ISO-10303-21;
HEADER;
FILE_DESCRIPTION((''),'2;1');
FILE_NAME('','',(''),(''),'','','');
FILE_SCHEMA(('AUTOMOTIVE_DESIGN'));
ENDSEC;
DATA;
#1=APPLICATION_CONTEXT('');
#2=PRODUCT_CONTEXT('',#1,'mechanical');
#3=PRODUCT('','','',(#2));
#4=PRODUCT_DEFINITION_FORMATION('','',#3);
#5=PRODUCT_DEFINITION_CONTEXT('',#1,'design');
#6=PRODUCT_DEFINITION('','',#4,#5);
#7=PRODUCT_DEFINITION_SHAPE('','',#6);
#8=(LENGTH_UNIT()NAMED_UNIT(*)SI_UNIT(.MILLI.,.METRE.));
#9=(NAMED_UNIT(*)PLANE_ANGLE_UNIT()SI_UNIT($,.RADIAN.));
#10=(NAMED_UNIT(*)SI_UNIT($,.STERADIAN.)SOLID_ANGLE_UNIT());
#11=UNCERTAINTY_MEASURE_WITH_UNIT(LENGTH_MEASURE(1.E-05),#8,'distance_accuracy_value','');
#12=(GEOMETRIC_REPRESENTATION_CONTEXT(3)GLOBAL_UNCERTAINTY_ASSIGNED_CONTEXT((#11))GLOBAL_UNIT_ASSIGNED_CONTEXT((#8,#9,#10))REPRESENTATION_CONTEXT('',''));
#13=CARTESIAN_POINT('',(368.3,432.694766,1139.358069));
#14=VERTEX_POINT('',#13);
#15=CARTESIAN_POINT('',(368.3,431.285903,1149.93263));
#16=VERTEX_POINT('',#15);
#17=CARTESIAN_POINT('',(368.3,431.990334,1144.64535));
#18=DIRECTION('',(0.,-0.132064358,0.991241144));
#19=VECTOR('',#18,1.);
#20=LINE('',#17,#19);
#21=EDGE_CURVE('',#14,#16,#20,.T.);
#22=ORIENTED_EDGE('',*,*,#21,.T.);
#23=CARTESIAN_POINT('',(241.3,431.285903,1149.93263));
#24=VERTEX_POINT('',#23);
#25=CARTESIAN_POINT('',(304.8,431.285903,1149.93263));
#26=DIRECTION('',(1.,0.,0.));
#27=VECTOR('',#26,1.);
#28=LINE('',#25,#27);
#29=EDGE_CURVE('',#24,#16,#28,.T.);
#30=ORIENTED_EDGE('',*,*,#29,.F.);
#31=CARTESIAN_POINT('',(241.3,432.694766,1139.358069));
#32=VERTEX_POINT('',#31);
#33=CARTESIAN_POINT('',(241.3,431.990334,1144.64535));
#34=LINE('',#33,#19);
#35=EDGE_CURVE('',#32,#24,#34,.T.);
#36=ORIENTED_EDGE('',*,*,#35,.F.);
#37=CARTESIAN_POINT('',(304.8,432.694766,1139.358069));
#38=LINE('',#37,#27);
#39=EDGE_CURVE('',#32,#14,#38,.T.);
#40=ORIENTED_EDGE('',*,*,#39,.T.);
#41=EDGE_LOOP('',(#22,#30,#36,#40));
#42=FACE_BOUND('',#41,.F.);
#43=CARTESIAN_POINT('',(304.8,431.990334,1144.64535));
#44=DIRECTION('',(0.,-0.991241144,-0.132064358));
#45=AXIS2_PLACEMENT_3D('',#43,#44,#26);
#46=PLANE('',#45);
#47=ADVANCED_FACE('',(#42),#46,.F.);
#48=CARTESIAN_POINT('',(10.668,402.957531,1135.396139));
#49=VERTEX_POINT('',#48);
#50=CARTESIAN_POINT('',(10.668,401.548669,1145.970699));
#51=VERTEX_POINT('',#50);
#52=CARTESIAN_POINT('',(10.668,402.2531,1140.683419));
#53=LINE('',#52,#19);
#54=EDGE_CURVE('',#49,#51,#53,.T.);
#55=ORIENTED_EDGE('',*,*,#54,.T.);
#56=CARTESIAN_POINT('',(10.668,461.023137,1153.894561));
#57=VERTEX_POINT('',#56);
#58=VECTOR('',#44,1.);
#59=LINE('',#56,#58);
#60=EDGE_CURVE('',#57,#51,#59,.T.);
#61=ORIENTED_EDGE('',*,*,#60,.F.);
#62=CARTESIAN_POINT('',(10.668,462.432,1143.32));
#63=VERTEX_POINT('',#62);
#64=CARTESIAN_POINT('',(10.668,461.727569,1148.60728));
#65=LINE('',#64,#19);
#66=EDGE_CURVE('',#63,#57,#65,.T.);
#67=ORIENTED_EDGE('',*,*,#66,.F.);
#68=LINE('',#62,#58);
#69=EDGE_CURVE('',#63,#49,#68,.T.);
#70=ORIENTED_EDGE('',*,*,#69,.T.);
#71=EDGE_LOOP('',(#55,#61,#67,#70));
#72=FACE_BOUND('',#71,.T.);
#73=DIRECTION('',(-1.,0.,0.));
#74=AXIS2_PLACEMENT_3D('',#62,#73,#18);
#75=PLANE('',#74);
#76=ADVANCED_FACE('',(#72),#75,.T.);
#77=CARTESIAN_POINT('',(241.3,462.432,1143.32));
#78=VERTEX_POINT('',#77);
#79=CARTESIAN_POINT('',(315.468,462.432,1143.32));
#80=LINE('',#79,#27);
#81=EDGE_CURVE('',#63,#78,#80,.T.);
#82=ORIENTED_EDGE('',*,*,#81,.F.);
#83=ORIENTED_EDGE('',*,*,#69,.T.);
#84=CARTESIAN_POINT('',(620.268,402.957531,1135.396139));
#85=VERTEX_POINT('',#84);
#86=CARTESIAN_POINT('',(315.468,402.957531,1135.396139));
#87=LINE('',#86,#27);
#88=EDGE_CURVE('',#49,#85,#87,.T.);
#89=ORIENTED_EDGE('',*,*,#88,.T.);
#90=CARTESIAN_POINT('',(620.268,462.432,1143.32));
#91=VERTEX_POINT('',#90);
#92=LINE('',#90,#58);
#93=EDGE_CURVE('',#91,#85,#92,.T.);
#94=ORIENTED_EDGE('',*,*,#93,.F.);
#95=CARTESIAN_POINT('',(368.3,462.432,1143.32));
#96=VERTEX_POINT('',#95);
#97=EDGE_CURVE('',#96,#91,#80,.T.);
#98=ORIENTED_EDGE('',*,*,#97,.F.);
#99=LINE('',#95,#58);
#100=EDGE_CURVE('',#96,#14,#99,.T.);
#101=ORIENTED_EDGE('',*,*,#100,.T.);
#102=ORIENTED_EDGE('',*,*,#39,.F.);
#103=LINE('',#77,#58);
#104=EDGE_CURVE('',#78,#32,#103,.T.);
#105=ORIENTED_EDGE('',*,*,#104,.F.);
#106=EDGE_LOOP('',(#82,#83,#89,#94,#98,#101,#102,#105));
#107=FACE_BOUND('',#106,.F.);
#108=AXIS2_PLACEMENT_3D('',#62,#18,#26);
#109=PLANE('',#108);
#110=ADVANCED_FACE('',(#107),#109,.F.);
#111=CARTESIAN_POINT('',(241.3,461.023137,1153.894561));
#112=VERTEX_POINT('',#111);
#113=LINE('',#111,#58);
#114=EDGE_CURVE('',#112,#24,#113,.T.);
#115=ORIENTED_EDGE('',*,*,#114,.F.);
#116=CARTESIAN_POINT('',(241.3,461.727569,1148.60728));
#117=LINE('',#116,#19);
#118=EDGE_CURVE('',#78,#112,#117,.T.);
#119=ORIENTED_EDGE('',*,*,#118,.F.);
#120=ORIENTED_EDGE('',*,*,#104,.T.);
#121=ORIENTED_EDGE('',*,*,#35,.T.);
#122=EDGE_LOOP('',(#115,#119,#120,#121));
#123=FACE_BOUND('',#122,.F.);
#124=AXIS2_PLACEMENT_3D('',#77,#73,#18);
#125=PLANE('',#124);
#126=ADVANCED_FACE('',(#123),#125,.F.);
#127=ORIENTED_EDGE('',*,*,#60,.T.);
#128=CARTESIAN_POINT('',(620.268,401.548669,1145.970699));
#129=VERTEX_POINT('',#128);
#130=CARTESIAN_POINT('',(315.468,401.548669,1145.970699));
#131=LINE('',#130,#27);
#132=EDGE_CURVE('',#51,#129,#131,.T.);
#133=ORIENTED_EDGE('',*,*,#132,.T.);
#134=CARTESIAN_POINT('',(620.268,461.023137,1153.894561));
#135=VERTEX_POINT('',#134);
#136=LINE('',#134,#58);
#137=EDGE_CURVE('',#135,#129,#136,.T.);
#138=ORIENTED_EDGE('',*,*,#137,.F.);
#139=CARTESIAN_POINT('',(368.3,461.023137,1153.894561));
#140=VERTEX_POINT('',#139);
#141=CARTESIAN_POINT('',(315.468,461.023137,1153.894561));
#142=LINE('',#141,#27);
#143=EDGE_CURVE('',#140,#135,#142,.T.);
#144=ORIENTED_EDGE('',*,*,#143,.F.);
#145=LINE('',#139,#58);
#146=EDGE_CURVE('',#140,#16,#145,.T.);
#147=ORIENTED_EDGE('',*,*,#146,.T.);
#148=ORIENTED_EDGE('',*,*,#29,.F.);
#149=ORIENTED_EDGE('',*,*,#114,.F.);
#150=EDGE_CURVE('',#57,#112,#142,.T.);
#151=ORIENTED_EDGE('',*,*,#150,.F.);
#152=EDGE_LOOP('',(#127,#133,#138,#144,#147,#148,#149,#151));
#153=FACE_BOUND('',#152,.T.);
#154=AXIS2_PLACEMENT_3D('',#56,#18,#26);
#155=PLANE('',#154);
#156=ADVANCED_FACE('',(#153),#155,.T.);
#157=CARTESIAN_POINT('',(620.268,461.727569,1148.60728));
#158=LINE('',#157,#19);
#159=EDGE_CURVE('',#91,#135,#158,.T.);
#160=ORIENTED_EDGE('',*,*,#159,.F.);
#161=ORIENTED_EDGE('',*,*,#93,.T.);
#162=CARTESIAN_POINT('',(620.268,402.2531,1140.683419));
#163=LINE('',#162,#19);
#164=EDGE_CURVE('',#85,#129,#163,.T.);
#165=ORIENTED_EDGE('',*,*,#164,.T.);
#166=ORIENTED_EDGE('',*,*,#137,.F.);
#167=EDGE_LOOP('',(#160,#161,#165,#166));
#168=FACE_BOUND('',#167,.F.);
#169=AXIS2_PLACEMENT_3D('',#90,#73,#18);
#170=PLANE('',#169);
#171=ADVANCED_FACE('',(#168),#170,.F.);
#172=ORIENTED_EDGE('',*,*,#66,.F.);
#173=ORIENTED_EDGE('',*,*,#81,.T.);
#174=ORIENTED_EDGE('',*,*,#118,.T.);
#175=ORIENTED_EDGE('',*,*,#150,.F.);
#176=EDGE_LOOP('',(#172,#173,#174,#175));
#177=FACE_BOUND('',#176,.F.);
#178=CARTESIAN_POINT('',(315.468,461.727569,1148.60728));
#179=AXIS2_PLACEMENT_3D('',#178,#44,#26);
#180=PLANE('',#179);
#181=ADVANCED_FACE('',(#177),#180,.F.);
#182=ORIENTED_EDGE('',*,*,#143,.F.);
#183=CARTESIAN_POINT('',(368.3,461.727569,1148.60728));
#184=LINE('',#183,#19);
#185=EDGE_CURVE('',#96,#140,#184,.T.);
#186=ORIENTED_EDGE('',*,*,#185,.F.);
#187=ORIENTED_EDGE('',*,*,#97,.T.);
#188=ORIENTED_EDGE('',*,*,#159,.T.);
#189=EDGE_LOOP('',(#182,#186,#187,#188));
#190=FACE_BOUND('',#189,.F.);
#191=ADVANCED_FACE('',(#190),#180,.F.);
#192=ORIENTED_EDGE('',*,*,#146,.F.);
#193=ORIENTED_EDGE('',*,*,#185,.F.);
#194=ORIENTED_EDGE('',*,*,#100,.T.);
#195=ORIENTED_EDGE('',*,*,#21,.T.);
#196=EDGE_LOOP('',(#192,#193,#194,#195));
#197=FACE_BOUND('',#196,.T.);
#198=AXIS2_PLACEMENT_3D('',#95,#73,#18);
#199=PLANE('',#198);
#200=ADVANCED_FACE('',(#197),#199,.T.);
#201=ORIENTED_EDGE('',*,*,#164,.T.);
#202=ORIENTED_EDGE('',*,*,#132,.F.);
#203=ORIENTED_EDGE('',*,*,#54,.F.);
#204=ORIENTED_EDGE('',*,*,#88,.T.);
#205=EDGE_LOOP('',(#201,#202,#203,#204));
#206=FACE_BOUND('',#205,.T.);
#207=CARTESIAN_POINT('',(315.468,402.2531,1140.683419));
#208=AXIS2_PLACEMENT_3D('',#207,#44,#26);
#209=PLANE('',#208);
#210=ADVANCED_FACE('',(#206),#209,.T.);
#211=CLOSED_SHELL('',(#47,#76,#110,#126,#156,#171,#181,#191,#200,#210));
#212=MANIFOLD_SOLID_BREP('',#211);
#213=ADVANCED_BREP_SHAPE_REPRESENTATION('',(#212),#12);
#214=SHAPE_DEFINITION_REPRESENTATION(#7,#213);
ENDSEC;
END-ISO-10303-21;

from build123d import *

# Parameters (mm, degrees)
BOX019_W               = 127
BOX019_H               = 10.668
BOX019_DEPTH           = 30
BOX019_PLACEMENT_ANGLE = 97.5889000001
BOX018_W               = 609.6
BOX018_H               = 10.668
BOX018_DEPTH           = 60
BOX018_PLACEMENT_ANGLE = 97.5889000001


with BuildPart() as screensupporthole:
    # Box019 → Box019 (new body)
    with BuildSketch(Plane.XY):
        with Locations((63.5, 5.334)):
            Rectangle(BOX019_W, BOX019_H)
    extrude(amount=BOX019_DEPTH)


with BuildPart() as screensupporthole_1:
    # Box019 placement: moved
    add(screensupporthole.part.moved(Location((241.3, 462.432, 1143.32))).rotate(Axis((241.3, 462.432, 1143.32), (1, 0, 0)), BOX019_PLACEMENT_ANGLE))


with BuildPart() as screenbottom:
    # Box018 → Box018 (new body)
    with BuildSketch(Plane.XY):
        with Locations((304.8, 5.334)):
            Rectangle(BOX018_W, BOX018_H)
    extrude(amount=BOX018_DEPTH)


with BuildPart() as screenbottom_1:
    # Box018 placement: moved
    add(screenbottom.part.moved(Location((10.668, 462.432, 1143.32))).rotate(Axis((10.668, 462.432, 1143.32), (1, 0, 0)), BOX018_PLACEMENT_ANGLE))

    # Cut003: cut ScreenSupportHole
    add(screensupporthole_1.part, mode=Mode.SUBTRACT)


solid = screenbottom_1.part
